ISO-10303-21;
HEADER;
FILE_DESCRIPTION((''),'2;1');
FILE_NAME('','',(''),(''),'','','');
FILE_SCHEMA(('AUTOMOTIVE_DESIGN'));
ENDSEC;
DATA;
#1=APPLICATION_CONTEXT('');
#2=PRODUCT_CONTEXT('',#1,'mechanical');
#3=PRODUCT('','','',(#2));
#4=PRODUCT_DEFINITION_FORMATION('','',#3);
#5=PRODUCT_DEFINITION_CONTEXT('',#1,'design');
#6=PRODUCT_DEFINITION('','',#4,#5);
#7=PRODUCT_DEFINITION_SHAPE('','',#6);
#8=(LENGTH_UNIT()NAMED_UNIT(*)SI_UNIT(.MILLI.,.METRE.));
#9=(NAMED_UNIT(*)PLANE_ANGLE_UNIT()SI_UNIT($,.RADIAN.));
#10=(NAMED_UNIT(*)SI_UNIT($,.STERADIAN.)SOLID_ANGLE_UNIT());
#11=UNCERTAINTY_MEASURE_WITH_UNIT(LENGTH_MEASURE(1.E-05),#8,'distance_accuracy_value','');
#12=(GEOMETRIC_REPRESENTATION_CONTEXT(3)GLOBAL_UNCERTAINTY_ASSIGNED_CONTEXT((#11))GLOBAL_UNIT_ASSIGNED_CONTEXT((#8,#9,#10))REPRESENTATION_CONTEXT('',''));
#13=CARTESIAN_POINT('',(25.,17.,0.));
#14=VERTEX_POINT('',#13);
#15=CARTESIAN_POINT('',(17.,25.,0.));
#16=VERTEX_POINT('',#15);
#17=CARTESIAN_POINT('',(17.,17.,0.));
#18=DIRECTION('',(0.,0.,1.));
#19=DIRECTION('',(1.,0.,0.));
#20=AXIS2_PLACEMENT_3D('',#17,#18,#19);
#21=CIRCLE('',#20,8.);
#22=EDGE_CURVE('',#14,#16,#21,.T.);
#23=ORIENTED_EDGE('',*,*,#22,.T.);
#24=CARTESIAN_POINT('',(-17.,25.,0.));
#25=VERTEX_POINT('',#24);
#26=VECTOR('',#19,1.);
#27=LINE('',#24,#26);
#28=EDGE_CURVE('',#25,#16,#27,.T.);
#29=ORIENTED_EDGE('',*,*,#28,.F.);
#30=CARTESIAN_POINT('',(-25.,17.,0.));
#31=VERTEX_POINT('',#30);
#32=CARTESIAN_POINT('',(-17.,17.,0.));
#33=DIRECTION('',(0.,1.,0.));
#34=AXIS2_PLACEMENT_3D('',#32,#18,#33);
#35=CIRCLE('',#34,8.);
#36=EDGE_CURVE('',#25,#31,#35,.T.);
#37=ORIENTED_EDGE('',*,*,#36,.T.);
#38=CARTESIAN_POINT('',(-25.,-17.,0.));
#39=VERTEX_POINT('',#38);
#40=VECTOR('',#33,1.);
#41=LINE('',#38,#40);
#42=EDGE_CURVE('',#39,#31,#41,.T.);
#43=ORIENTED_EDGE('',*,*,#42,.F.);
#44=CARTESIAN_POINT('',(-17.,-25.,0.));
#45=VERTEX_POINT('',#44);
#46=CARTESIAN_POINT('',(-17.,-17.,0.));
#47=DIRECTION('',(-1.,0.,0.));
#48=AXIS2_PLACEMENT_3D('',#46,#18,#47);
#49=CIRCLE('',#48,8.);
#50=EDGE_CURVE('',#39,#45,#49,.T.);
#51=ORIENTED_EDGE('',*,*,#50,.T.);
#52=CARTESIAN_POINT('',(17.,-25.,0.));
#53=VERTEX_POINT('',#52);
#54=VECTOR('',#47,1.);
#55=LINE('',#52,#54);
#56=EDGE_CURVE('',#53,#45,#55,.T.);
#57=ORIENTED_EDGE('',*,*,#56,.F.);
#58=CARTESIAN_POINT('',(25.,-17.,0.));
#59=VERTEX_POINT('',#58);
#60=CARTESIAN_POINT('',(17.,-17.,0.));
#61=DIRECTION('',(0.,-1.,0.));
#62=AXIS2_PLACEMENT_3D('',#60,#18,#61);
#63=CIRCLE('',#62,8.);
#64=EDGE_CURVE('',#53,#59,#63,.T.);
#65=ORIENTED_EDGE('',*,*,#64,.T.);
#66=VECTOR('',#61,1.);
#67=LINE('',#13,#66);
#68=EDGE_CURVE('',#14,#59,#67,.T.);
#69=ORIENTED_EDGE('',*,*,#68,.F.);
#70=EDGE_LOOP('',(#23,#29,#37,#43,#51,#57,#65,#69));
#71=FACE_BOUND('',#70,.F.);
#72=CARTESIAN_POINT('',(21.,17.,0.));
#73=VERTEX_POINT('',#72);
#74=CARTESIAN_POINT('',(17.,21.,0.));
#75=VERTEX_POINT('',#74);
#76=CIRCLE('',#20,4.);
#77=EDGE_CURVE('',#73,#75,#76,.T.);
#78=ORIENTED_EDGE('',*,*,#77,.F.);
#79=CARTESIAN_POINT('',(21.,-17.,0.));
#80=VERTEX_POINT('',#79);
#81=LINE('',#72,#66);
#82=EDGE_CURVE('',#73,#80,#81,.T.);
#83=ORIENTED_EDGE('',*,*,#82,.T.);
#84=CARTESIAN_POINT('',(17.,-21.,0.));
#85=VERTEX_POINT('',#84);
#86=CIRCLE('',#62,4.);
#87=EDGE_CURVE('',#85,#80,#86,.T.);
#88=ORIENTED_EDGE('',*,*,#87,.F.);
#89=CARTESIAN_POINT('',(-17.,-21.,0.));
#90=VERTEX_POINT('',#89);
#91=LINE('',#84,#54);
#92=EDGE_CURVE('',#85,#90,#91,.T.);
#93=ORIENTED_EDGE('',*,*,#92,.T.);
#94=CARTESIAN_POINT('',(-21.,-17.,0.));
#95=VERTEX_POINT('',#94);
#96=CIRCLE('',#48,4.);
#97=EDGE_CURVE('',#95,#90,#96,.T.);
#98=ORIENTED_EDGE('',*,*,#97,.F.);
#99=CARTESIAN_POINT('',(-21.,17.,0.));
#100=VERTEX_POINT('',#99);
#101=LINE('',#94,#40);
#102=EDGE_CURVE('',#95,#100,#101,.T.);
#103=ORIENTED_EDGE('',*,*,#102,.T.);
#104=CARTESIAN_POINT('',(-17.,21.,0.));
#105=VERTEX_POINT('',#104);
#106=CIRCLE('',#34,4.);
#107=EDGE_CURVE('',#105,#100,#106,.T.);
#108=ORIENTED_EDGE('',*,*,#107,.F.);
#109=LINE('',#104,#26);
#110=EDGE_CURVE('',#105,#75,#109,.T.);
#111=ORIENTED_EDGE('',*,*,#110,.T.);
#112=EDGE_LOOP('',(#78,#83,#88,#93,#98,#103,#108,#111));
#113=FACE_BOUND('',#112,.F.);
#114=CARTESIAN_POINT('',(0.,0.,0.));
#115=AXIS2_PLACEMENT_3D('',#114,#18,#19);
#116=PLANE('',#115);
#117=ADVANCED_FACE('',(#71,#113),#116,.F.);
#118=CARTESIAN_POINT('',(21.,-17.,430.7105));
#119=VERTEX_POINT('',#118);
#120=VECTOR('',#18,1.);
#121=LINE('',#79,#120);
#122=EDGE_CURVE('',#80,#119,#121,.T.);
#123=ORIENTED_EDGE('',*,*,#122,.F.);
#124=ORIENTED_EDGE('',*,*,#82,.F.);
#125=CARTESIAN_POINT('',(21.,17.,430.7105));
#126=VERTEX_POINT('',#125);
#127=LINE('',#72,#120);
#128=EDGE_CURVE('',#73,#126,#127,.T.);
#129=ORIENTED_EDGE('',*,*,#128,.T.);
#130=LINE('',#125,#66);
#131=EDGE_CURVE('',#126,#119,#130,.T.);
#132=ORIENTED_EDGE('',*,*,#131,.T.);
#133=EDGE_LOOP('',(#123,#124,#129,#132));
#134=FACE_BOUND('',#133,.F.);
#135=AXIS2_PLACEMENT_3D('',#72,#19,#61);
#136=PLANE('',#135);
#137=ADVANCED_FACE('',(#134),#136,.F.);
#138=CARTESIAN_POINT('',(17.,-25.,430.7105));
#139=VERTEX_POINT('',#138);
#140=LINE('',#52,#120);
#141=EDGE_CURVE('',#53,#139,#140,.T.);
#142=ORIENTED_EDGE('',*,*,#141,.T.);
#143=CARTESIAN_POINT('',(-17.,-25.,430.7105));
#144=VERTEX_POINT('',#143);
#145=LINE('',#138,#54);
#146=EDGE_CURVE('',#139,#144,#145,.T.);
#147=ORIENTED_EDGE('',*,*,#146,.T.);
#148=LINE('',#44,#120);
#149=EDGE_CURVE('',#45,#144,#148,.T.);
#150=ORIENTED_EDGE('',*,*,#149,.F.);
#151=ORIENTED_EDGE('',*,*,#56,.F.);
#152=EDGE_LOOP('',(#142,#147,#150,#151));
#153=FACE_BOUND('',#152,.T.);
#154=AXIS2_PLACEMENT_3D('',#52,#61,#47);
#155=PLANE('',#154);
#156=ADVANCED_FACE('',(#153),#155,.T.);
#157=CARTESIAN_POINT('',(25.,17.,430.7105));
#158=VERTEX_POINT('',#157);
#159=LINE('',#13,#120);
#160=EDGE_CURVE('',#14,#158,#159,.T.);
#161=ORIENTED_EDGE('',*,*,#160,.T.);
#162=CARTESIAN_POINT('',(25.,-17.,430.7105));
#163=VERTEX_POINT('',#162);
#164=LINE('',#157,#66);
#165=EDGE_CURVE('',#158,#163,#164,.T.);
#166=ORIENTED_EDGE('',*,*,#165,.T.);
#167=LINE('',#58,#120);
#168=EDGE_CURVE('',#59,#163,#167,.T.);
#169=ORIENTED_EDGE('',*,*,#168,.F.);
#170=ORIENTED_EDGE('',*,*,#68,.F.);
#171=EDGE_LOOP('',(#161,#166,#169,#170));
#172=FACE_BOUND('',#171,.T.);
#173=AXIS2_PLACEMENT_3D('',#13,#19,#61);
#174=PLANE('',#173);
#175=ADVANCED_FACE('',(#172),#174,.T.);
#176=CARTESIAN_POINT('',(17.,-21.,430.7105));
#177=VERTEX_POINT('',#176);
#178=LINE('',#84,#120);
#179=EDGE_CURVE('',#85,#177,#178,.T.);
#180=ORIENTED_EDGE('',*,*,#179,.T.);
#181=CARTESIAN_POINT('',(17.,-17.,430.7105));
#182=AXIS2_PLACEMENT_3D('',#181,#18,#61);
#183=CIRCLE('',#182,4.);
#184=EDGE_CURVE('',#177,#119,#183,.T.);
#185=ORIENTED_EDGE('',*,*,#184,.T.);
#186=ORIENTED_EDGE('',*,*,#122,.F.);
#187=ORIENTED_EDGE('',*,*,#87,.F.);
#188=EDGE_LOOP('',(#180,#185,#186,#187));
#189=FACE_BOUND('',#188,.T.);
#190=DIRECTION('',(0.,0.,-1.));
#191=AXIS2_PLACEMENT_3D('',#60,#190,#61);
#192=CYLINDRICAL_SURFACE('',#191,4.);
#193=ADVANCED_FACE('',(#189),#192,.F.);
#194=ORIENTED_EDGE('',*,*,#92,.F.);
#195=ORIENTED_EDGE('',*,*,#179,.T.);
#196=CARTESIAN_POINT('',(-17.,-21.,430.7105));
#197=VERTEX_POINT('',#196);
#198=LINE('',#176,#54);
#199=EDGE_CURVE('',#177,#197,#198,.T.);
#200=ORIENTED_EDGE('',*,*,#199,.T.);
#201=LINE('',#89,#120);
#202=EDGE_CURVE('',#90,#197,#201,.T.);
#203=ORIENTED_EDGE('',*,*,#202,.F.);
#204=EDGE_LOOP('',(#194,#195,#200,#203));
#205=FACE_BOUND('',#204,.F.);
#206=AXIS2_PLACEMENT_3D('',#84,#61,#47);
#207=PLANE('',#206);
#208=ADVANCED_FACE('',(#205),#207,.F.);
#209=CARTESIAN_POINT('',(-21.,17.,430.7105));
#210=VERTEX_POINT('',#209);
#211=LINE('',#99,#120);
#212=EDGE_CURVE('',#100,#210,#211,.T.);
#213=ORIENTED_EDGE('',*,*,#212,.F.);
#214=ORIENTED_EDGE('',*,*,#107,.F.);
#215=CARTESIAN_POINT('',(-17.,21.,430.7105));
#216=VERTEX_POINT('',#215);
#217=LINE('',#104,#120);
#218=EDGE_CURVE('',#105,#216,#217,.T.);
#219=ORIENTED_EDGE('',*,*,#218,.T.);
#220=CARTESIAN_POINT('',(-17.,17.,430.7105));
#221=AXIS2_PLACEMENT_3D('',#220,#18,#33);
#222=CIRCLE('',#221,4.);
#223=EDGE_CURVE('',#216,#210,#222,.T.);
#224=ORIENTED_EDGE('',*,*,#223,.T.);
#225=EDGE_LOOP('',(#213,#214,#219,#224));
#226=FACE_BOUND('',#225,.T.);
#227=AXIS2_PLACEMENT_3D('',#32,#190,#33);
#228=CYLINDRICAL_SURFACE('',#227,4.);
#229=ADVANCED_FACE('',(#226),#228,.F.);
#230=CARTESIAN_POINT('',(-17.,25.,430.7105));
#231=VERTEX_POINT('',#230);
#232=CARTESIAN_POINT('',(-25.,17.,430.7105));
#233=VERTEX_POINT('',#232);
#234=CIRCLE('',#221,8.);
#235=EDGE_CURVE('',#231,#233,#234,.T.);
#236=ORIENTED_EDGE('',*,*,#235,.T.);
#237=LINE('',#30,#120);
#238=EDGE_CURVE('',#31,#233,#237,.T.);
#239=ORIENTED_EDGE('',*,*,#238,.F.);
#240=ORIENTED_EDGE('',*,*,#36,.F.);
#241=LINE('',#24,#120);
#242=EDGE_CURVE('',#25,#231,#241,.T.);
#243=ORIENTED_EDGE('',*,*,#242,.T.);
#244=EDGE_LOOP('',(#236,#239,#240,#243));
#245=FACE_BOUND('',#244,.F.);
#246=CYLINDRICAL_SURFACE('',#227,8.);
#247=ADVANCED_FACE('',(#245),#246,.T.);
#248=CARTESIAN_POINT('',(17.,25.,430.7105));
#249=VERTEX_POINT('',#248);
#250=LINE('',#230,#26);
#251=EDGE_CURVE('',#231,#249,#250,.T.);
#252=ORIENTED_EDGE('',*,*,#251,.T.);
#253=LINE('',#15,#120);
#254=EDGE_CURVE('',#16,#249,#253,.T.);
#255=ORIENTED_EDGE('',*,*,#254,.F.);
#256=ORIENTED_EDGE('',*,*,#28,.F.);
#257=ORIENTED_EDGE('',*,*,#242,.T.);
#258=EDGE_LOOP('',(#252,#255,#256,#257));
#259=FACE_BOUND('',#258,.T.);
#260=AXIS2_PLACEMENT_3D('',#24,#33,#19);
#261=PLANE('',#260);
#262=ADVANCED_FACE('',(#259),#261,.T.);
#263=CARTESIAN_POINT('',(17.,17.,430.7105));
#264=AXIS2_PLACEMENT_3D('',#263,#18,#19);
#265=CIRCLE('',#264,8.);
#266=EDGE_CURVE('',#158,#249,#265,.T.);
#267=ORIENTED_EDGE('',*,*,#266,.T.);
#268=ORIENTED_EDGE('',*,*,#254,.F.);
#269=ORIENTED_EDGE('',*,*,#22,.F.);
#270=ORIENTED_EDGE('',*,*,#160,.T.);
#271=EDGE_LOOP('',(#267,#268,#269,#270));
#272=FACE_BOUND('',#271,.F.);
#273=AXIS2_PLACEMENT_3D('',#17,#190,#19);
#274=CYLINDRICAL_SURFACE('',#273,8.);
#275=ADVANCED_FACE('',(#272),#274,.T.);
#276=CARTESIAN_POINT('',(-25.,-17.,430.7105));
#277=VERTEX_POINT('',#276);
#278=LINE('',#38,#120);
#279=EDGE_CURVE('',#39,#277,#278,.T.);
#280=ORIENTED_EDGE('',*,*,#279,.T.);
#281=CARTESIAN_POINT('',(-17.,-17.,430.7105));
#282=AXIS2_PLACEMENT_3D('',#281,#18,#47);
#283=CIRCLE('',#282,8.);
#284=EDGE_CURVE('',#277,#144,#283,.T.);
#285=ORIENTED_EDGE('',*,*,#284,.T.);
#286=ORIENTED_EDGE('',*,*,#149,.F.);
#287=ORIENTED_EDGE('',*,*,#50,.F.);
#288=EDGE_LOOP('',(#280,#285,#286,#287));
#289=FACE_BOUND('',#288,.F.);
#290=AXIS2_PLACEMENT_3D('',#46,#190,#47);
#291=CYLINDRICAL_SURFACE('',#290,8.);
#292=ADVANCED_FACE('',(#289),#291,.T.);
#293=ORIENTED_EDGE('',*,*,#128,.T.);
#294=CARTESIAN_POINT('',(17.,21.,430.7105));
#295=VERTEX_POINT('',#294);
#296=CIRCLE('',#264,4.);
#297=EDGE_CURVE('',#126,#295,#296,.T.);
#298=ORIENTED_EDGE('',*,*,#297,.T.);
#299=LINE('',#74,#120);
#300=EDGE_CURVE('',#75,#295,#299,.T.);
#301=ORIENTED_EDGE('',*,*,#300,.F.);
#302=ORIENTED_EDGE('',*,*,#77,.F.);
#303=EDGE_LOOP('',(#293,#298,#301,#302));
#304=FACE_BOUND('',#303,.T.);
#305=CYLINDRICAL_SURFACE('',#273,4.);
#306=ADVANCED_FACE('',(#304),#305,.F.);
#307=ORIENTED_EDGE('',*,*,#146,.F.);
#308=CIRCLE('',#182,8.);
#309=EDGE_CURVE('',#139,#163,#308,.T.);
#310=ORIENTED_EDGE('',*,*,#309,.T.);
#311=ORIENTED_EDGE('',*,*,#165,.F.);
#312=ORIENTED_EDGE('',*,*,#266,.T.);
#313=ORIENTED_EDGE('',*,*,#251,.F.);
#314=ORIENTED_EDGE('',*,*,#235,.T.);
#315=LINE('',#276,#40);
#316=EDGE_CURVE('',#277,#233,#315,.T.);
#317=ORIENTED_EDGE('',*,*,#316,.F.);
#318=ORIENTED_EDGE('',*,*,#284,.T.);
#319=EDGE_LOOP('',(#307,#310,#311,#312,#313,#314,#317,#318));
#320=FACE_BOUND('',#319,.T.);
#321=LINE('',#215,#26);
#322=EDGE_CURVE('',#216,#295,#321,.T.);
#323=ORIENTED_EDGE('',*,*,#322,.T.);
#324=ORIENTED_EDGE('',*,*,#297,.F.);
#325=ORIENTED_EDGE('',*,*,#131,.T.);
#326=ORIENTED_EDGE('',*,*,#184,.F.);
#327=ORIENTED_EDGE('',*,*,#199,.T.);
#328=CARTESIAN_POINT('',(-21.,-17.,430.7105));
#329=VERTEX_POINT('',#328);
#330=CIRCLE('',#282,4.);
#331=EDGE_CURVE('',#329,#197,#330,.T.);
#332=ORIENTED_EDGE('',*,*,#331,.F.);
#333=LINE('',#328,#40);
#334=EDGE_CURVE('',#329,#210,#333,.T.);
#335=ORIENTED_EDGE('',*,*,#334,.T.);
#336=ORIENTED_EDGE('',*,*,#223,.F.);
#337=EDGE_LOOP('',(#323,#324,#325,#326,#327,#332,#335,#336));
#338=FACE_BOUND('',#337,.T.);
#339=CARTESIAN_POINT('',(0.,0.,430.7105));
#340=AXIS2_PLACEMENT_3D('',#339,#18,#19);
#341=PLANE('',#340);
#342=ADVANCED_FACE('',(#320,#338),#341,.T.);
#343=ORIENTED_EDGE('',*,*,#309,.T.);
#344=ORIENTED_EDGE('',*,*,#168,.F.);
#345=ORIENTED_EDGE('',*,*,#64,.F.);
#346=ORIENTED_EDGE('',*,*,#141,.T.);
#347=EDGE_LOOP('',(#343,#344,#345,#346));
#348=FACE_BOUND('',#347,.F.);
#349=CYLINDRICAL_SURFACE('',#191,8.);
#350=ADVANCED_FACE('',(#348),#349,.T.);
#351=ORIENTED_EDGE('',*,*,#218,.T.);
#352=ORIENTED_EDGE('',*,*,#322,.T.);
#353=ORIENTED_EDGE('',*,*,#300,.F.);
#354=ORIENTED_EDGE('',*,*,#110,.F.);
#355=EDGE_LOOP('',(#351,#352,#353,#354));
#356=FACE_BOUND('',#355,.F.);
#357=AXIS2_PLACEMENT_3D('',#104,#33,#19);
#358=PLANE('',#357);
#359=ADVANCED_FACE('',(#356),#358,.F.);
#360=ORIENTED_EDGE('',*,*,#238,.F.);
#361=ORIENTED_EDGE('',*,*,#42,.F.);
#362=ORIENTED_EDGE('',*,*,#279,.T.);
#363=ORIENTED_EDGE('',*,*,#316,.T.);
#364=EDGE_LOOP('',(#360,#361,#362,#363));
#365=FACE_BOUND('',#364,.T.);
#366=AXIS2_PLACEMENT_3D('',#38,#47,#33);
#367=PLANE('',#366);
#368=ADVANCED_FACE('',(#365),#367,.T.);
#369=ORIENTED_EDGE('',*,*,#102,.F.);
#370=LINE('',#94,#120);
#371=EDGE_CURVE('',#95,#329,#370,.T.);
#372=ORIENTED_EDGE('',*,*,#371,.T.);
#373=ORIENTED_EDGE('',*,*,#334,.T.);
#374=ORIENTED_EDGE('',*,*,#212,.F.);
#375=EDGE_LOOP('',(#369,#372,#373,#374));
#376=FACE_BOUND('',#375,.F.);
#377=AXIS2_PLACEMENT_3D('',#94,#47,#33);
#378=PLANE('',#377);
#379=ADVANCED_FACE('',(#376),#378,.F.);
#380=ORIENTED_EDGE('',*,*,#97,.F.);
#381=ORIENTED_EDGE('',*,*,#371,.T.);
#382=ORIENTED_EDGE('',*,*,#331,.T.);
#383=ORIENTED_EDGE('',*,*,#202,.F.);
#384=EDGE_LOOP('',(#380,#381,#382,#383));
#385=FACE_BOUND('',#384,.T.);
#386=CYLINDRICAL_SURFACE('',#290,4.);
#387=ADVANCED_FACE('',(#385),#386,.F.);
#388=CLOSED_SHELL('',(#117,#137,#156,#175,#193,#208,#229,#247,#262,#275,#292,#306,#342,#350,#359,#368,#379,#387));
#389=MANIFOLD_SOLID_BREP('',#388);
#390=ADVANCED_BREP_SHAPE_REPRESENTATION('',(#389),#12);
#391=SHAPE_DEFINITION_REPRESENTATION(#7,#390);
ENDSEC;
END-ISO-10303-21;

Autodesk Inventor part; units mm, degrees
ref_plane "YZ Plane" through (0, 0, 0) normal (1, 0, 0) x (0, 1, 0)
ref_plane "Start Plane" through (0, 0, 0) normal (0, 0, 1) x (1, 0, 0)
ref_plane "End Plane" through (0, 0, 430.7105) normal (0, 0, 1) x (1, 0, 0)
sketch "Sketch" plane through (0, 0, 0) normal (0, 0, 1) x (1, 0, 0)
  line L0 (-25, -17) -> (-25, 17)
  line L1 (-17, 25) -> (17, 25)
  line L2 (25, 17) -> (25, -17)
  line L3 (17, -25) -> (-17, -25)
  arc A0 (-25, -17) -> (-17, -25) centre (-17, -17) ccw
  arc A1 (25, 17) -> (17, 25) centre (17, 17) ccw
  arc A2 (-17, 25) -> (-25, 17) centre (-17, 17) ccw
  arc A3 (17, -25) -> (25, -17) centre (17, -17) ccw
  arc A4 (-17, 21) -> (-21, 17) centre (-17, 17) ccw
  line L4 (-17, 21) -> (17, 21)
  arc A5 (21, 17) -> (17, 21) centre (17, 17) ccw
  line L5 (21, 17) -> (21, -17)
  arc A6 (17, -21) -> (21, -17) centre (17, -17) ccw
  line L6 (17, -21) -> (-17, -21)
  arc A7 (-21, -17) -> (-17, -21) centre (-17, -17) ccw
  line L7 (-21, -17) -> (-21, 17)
  line L8 (0, 37.3196) -> (0, -37.3196) construction
  line L9 (-37.3196, 0) -> (37.3196, 0) construction
  dimension "d7" = 8
  dimension "d9" = 50
  dimension "d11" = 50
  dimension "d12" = 4
  dimension "d15" = 25
  dimension "d16" = 25
extrude "Body" add sketch "Sketch" along normal up to surface (430.7105 mm away) from surface at 0
sketch "Sketch3" plane through (0, 0, 0) normal (0, 0, 1) x (1, 0, 0)
  line L0 (0, 0) -> (10, 0)
ref_plane "Work Plane3" through (0, 0, 0) normal (0, -1, 0) x (1, 0, 0)
sketch "Sketch4" plane through (0, 0, 0) normal (0, -1, 0) x (1, 0, 0)
  line L0 (-2, 0) -> (12, 0) projected
  line L1 (-2, 430.7105) -> (12, 430.7105) projected
  dimension "d18" = 430.7105
equation "\"d7\" = G_IR"
equation "\"d9\" = G_W"
equation "\"d11\" = G_H"
equation "\"d12\" = G_T"
equation "\"d15\" = 0.5 * d9"
equation "\"d16\" = 0.5 * d11"
equation "\"d3\" = G_L"
equation "\"G_W\" = 50"
equation "\"G_H\" = 50"
equation "\"G_T\" = 4"
equation "\"G_IR\" = 8"
equation "\"G_L\" = d18"
equation "\"G_OFFSET_START\" = 0"
equation "\"G_OFFSET_END\" = 0"
equation "\"d14\" = G_OFFSET_END + B_L"
equation "\"B_L\" = 430.71053"
properties part number "ISO 4019 - 50x50x4 - 430,71" material "Steel, Mild"
